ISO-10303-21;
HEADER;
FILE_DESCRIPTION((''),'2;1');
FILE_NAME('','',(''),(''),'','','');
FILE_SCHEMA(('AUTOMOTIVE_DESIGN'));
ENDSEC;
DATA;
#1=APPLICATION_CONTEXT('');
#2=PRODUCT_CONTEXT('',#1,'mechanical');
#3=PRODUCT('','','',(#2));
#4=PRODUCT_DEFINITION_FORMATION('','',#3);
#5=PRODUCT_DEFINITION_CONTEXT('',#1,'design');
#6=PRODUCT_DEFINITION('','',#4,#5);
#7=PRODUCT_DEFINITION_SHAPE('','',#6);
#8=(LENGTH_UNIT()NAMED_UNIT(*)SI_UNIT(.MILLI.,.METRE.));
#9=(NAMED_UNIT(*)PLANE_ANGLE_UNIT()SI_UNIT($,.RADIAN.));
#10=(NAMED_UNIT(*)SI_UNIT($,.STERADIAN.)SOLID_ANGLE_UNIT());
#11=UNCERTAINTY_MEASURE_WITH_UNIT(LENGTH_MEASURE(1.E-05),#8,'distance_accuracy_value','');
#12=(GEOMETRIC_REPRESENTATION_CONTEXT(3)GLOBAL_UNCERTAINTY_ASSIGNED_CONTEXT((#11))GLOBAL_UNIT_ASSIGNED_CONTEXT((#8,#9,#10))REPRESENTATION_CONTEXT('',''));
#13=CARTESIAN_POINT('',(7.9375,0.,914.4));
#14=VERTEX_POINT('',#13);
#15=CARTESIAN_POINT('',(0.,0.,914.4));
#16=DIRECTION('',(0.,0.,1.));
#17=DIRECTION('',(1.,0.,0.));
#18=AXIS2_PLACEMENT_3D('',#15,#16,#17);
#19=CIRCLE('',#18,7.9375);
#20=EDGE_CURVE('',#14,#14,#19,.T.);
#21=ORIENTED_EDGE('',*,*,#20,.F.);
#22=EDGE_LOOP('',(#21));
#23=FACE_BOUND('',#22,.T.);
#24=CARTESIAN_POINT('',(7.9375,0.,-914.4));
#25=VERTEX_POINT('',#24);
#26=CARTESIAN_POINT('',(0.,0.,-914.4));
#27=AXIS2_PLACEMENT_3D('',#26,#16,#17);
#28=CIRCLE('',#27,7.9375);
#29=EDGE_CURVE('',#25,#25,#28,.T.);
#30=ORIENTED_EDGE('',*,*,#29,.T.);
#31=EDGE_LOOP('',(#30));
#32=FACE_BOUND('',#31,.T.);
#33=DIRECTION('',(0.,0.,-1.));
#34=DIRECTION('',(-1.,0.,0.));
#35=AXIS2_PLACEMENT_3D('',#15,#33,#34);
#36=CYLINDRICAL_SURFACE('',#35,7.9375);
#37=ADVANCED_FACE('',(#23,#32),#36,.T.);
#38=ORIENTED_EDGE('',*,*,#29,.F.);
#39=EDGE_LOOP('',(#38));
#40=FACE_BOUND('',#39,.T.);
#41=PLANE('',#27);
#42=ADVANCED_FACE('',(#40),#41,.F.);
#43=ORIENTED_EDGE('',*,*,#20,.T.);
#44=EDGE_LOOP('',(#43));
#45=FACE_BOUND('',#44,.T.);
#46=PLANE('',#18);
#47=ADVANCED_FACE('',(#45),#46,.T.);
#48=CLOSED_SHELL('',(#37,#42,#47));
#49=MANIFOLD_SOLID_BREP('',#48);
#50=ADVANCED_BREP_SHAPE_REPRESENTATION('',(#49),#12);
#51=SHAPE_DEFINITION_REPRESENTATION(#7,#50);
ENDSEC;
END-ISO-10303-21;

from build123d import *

# Parameters (mm, degrees)
SKETCH1_R           = 7.9375
BOSS_EXTRUDE1_DEPTH = 914.4


with BuildPart() as part:
    # Sketch1 → Boss-Extrude1 (new body, symmetric)
    with BuildSketch(Plane.XY):
        Circle(SKETCH1_R)
    extrude(amount=BOSS_EXTRUDE1_DEPTH, both=True)


solid = part.part
